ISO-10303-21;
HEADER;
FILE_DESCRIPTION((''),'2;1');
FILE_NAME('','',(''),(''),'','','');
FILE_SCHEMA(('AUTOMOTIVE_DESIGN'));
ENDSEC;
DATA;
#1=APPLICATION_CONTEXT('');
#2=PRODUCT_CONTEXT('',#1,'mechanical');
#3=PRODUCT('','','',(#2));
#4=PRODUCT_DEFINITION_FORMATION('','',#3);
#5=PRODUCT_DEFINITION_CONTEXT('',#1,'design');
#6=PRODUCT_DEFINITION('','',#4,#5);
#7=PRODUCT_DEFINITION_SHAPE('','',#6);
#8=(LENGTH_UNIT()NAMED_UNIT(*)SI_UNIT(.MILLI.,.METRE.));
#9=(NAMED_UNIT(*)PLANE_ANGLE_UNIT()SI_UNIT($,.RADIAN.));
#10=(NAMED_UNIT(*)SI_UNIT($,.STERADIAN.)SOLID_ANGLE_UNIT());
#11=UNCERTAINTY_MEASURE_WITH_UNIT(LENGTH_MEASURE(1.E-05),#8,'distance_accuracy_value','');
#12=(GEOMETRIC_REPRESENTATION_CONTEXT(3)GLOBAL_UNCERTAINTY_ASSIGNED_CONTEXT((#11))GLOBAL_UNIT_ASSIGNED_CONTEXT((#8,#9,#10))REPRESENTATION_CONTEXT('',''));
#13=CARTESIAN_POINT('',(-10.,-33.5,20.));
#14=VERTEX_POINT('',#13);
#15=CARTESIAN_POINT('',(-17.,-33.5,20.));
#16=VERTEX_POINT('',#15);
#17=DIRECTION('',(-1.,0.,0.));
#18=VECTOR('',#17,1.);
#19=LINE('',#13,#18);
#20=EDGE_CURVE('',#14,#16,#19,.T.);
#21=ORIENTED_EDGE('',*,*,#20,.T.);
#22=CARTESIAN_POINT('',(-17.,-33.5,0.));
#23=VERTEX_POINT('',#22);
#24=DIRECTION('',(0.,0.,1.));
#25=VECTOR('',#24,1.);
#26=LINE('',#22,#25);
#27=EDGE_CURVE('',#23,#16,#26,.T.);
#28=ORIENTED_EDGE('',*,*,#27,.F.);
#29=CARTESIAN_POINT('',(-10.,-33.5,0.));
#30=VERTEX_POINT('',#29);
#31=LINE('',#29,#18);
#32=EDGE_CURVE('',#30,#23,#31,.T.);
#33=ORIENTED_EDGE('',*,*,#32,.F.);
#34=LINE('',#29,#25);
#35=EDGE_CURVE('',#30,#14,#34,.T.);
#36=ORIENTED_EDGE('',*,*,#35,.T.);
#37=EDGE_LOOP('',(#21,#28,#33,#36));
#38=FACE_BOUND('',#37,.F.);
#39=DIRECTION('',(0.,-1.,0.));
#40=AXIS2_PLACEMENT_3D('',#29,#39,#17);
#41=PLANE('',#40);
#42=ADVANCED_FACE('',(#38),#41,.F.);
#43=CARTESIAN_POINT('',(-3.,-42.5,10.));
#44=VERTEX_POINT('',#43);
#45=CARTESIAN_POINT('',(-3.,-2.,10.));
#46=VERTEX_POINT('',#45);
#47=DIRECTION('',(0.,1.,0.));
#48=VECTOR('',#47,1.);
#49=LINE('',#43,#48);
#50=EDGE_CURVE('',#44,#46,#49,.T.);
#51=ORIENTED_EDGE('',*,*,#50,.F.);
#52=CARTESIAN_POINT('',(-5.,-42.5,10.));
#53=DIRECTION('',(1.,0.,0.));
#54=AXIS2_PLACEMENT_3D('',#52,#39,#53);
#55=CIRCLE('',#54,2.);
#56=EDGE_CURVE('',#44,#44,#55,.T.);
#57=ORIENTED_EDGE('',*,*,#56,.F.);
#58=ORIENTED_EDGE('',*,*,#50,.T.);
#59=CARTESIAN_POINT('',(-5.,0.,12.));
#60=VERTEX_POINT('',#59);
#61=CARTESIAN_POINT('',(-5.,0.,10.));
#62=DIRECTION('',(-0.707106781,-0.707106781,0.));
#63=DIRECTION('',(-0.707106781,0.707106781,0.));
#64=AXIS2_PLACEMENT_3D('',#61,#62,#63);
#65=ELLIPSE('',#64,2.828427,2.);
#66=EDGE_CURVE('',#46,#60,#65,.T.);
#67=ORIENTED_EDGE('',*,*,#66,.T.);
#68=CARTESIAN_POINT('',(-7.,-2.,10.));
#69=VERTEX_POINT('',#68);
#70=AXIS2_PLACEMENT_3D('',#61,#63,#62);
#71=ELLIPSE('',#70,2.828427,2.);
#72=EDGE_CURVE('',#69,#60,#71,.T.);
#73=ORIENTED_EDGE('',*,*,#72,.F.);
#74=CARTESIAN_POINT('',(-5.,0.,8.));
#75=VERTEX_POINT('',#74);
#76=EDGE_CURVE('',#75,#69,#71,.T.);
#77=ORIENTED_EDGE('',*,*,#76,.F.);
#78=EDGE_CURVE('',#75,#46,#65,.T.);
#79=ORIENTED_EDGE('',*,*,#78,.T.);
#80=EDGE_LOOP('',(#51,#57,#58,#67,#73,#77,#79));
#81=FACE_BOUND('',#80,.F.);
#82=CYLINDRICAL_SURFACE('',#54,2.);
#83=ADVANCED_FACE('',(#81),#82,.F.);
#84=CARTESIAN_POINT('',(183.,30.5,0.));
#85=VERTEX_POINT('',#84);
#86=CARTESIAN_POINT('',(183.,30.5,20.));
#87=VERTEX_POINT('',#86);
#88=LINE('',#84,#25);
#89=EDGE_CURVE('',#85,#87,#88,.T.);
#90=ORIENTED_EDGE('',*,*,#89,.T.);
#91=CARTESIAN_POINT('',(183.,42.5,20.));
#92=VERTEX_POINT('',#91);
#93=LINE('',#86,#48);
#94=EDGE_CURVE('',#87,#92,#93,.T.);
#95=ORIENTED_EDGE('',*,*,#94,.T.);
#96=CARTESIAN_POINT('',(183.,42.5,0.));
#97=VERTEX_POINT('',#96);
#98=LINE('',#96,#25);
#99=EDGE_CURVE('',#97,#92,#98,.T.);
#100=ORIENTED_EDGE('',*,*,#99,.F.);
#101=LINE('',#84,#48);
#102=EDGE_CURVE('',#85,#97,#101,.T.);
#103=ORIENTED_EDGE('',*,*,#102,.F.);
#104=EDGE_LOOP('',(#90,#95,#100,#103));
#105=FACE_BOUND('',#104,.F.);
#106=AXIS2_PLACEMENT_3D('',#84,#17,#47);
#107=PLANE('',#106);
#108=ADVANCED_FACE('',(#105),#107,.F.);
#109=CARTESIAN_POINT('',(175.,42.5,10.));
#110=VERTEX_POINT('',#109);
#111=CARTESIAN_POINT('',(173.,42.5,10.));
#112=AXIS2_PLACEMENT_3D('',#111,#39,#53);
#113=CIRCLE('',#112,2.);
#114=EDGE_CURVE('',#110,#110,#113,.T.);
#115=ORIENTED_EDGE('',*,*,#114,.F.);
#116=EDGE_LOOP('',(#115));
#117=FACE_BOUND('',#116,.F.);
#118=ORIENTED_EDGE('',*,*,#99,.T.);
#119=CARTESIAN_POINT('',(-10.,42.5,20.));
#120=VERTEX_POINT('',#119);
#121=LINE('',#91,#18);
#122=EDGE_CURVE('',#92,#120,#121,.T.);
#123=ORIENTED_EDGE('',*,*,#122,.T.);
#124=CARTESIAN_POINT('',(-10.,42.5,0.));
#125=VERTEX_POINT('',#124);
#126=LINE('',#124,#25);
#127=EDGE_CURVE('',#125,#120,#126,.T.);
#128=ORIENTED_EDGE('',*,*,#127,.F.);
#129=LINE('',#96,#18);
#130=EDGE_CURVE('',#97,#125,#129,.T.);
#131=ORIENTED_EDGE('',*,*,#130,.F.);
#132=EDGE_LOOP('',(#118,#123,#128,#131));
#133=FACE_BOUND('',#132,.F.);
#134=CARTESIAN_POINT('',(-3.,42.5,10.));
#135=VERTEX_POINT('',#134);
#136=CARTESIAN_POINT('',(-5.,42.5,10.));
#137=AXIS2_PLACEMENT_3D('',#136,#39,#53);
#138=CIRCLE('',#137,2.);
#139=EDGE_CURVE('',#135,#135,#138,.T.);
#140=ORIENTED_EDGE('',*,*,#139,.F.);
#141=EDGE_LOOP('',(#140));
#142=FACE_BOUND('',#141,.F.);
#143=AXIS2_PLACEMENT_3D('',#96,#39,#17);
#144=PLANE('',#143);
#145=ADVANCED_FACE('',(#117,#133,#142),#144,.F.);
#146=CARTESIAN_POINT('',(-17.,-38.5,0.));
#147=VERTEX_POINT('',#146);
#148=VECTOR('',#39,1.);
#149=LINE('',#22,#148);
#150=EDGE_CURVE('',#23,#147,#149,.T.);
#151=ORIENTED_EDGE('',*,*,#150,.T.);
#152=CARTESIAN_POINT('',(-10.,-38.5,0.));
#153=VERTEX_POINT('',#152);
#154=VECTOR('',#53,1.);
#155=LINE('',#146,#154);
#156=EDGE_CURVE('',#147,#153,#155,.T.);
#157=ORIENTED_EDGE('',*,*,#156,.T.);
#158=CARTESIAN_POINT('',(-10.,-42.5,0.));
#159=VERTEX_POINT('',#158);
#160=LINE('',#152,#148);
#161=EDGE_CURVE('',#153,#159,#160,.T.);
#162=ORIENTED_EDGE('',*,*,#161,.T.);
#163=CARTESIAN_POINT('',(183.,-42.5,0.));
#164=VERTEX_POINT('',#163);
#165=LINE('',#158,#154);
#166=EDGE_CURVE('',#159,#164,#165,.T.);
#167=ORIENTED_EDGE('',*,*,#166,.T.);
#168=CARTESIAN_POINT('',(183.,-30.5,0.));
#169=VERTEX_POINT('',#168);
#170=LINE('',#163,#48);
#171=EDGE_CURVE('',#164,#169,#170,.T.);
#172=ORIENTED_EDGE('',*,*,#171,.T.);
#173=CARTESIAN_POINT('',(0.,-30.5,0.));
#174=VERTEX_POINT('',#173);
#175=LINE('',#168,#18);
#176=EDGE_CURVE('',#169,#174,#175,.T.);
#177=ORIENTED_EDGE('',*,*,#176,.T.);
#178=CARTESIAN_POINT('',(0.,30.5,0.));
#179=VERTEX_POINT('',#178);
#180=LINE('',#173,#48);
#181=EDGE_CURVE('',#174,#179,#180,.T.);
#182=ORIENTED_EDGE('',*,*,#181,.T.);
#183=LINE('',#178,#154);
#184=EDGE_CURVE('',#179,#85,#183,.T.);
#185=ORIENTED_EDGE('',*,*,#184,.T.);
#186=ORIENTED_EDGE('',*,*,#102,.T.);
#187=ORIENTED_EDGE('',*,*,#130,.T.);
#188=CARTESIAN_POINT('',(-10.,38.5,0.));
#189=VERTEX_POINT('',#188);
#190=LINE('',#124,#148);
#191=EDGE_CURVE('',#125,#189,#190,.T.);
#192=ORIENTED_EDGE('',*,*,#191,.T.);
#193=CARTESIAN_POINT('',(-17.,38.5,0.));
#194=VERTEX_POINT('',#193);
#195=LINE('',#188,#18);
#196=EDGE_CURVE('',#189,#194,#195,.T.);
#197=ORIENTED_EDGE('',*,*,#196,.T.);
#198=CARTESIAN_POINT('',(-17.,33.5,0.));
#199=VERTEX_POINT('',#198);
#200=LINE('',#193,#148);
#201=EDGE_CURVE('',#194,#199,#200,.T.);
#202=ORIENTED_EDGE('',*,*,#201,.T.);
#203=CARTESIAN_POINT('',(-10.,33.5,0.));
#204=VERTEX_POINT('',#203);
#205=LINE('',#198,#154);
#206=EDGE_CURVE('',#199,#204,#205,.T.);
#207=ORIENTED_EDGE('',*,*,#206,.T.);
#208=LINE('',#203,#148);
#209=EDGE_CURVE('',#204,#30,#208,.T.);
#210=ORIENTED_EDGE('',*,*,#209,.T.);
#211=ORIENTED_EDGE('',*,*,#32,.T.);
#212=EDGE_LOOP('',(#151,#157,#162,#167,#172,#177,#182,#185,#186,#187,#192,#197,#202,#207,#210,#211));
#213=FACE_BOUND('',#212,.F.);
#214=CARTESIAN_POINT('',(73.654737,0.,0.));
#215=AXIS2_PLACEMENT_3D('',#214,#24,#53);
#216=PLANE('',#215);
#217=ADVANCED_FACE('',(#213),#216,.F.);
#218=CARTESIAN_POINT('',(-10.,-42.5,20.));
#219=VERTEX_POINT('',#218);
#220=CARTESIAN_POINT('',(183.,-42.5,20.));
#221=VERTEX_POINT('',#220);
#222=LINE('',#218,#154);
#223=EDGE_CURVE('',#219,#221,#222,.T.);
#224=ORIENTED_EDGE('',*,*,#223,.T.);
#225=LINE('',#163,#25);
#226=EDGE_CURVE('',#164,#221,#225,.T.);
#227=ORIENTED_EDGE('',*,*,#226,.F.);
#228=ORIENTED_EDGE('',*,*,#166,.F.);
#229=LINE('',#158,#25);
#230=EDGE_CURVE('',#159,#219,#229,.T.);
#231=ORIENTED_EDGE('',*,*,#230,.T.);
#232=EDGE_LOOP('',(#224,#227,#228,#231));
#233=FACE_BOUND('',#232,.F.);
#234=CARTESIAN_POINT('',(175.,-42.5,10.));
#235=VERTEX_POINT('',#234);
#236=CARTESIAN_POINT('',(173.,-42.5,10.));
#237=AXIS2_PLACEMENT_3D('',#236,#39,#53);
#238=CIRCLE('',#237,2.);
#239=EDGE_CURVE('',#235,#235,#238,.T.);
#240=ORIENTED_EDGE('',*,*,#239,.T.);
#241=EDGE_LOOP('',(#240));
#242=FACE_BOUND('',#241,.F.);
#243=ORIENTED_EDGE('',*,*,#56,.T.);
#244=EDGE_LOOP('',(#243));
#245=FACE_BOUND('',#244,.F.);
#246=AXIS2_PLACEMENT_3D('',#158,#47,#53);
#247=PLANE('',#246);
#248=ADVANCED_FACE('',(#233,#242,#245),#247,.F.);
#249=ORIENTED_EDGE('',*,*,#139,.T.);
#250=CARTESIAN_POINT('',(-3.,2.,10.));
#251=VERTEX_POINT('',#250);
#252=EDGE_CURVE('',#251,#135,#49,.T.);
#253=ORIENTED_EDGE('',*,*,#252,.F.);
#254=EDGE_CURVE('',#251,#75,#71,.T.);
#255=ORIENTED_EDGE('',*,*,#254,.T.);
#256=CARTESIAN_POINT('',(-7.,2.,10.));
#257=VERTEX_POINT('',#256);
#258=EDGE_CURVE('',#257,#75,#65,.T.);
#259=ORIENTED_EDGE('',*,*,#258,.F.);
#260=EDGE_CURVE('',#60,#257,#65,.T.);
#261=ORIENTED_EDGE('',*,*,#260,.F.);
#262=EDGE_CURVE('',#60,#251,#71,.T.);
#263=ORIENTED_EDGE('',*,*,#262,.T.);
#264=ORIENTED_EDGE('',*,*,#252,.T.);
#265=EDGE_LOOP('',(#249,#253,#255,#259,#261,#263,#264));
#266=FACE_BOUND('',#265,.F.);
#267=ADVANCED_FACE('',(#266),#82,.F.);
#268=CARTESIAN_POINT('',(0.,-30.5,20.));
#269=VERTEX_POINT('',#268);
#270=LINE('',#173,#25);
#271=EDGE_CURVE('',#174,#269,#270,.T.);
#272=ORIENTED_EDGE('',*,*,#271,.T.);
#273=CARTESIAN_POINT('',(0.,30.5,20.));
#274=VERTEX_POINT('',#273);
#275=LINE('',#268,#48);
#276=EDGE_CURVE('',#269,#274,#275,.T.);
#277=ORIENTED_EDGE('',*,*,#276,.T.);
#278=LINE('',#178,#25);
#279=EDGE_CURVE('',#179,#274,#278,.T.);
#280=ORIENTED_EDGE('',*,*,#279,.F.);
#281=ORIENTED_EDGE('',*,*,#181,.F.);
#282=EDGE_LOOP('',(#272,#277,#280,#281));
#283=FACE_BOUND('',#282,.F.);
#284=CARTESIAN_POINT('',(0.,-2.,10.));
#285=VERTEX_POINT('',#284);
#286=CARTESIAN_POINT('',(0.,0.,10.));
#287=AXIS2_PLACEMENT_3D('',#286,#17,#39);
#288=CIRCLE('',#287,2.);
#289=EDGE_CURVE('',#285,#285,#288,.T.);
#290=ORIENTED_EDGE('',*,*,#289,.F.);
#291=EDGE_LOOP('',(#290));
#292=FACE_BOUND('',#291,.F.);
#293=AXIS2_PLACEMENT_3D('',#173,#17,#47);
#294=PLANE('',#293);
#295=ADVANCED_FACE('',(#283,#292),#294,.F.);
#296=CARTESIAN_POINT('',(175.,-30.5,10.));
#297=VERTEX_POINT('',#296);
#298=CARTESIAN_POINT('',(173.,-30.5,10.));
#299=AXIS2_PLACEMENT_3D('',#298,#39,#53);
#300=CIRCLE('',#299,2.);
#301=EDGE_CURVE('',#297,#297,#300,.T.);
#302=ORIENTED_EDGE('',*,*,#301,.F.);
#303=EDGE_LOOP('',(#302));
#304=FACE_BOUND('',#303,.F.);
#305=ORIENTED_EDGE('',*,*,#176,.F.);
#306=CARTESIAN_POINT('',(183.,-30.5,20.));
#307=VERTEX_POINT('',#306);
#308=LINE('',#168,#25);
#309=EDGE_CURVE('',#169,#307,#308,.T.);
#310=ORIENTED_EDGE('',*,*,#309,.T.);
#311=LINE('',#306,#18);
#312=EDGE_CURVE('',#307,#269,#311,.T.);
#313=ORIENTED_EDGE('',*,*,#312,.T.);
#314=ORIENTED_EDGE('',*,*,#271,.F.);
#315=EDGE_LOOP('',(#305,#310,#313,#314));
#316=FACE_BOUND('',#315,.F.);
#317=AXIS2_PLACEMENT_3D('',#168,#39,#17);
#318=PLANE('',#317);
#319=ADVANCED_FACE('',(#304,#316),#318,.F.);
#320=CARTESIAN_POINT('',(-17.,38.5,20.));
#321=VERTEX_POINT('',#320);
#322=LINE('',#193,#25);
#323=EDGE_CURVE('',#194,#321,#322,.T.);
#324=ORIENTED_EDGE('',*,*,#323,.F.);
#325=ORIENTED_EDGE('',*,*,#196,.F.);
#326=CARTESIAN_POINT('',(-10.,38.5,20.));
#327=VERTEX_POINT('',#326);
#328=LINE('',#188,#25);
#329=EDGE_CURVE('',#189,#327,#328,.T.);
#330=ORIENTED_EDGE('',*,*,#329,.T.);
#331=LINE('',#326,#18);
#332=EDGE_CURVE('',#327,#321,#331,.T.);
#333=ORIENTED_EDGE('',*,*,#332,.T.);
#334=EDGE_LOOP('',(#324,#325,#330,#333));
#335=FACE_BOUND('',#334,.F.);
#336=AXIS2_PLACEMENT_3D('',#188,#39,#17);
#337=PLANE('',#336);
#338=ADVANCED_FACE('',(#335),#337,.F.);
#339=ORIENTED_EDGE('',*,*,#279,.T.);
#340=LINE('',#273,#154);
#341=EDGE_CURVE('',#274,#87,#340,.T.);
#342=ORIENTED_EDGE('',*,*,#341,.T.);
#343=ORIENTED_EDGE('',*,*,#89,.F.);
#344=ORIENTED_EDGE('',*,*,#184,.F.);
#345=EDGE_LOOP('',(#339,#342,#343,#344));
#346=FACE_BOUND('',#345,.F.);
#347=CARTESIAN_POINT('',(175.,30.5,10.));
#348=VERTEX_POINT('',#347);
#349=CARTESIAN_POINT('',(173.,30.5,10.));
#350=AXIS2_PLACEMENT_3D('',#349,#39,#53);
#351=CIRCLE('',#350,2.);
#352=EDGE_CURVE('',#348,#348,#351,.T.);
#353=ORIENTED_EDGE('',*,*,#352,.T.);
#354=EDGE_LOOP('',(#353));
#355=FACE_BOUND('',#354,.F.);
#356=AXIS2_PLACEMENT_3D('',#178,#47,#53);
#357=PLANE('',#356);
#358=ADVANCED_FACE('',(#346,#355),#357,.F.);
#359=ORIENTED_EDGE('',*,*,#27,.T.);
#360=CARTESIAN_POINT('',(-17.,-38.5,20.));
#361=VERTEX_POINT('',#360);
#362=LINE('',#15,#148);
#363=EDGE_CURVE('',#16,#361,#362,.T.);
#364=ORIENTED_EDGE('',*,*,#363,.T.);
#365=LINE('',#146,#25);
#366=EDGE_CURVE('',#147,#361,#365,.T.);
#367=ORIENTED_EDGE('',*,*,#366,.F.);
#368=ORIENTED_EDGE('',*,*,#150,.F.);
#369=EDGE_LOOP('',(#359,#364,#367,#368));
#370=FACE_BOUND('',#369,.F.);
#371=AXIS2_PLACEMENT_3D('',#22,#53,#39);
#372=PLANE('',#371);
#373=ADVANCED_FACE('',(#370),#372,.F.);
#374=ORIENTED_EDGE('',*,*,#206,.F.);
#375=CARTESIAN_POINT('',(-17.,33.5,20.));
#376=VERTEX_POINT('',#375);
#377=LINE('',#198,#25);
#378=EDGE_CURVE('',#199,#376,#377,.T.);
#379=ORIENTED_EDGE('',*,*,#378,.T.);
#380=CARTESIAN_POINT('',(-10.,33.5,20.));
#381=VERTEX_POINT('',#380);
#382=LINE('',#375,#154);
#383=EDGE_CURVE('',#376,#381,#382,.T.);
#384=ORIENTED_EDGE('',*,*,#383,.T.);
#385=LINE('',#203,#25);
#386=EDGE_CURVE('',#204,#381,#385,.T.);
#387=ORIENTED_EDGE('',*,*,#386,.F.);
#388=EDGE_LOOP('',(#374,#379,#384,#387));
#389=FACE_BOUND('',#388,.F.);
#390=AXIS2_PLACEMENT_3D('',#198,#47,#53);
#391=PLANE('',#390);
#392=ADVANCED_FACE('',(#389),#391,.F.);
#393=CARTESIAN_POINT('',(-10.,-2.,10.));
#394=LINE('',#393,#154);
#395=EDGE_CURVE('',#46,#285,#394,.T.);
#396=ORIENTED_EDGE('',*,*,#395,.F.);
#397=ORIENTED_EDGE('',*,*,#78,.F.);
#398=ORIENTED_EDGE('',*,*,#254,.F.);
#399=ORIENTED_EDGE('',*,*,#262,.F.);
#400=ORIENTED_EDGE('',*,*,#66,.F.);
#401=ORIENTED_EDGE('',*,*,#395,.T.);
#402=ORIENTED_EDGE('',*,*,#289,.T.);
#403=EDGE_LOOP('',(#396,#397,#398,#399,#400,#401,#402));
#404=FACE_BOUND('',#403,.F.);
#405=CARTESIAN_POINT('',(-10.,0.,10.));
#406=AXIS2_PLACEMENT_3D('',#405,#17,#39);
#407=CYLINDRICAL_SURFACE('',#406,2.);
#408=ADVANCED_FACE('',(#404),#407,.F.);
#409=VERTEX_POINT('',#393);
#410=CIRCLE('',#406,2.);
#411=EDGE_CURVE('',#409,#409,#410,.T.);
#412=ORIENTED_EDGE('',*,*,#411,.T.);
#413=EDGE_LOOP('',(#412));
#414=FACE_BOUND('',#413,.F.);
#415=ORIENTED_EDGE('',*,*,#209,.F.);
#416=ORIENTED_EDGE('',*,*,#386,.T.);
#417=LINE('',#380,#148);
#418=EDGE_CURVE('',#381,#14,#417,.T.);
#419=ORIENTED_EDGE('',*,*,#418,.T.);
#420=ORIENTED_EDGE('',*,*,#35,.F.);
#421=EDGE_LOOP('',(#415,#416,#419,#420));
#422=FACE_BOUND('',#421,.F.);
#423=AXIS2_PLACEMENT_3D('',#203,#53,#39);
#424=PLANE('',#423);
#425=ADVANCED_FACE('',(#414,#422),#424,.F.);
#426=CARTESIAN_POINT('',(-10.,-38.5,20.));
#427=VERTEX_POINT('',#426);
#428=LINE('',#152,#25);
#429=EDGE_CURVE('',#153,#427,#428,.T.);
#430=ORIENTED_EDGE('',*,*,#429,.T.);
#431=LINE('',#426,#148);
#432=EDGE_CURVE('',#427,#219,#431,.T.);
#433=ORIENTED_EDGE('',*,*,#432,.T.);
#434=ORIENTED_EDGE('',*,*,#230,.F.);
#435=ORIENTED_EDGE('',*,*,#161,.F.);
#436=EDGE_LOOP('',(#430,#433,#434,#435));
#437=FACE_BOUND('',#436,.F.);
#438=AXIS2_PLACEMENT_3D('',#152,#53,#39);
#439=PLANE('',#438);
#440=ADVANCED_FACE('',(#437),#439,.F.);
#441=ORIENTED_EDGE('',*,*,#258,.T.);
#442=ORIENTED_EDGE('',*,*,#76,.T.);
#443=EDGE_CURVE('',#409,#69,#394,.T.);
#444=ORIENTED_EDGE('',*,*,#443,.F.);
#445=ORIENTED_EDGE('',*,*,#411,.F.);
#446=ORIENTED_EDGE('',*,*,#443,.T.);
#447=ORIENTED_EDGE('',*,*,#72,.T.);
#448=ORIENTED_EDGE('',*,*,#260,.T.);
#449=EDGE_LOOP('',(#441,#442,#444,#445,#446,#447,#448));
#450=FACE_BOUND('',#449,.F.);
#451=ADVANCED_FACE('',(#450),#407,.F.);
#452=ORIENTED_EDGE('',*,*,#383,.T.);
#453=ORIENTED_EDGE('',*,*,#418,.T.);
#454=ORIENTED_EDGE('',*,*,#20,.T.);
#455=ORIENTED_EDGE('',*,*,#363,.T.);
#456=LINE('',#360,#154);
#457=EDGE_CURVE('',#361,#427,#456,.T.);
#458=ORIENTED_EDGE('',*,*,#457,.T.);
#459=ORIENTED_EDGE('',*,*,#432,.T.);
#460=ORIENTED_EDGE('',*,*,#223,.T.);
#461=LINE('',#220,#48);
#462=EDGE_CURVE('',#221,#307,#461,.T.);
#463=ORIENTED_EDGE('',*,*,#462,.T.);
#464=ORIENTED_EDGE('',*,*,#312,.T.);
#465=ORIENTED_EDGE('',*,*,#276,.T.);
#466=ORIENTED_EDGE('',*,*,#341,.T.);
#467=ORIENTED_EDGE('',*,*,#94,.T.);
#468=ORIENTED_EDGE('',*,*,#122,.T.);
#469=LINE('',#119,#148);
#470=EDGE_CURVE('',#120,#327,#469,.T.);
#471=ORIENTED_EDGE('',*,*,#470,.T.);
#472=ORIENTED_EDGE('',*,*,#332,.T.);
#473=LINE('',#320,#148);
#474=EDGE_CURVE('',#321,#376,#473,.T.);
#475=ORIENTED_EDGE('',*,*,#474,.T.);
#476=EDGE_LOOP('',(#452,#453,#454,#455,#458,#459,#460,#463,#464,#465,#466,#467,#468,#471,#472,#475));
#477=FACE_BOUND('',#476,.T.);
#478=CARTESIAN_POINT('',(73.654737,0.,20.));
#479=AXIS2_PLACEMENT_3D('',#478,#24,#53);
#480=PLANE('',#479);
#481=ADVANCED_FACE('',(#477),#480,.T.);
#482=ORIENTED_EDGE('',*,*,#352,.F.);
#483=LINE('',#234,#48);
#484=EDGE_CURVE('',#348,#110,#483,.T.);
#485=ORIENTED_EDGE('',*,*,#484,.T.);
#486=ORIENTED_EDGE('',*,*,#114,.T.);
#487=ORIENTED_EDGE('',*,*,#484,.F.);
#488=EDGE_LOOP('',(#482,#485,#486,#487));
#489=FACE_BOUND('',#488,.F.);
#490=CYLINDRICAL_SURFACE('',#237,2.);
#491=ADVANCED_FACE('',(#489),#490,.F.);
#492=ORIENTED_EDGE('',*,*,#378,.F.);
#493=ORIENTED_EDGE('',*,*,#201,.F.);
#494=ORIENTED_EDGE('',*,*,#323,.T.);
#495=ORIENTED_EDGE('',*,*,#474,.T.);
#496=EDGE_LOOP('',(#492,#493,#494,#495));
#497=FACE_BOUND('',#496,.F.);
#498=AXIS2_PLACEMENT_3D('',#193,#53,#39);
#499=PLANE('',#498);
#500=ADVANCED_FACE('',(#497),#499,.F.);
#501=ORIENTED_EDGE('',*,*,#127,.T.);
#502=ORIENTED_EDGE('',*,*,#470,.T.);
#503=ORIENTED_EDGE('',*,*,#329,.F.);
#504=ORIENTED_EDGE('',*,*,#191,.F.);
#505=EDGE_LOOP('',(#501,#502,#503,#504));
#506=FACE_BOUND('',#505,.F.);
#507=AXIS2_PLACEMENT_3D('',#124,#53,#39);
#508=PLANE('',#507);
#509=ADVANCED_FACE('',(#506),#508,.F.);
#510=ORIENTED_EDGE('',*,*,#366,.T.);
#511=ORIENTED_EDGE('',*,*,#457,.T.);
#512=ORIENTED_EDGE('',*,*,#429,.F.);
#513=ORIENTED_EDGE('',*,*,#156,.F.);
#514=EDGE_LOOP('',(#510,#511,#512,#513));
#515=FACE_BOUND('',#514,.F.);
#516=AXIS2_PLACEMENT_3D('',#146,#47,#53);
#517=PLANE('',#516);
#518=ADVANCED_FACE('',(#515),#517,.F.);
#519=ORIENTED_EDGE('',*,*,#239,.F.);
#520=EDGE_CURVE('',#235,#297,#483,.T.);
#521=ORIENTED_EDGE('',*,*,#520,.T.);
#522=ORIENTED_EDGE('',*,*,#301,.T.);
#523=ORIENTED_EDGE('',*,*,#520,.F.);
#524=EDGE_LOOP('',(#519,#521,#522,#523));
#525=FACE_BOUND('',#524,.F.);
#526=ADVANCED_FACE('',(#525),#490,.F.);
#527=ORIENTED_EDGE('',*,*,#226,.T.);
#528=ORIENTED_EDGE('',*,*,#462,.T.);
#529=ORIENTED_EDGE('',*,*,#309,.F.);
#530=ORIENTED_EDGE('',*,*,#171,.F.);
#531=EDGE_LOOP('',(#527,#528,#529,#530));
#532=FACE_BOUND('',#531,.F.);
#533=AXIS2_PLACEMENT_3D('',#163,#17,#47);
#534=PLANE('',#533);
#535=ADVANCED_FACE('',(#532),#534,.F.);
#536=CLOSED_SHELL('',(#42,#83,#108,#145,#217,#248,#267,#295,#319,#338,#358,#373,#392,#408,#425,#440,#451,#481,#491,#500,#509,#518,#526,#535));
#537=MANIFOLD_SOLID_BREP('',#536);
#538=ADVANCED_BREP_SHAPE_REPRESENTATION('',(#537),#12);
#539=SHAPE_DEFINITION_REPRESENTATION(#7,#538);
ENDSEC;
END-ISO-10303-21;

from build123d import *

# Parameters (mm, degrees)
PAD_DEPTH       = 20
SKETCH004_R     = 2
POCKET002_DEPTH = 193.001
SKETCH005_R     = 2
POCKET003_DEPTH = 85.001


with BuildPart() as part:
    # Sketch → Pad (new body)
    with BuildSketch(Plane.XY):
        Polygon((-10, -42.5), (183, -42.5), (183, -30.5), (0, -30.5), (0, 30.5), (183, 30.5), (183, 42.5), (-10, 42.5), (-10, 38.5), (-17, 38.5), (-17, 33.5), (-10, 33.5), (-10, -33.5), (-17, -33.5), (-17, -38.5), (-10, -38.5), align=None)
    extrude(amount=PAD_DEPTH)

    # Sketch004 → Pocket002 (cut, through all)
    with BuildSketch(Plane(origin=(-10, 0, 0), x_dir=(0, -1, 0), z_dir=(-1, 0, 0))):
        with Locations((0, 10)):
            Circle(SKETCH004_R)
    extrude(amount=-POCKET002_DEPTH, mode=Mode.SUBTRACT)

    # Sketch005 → Pocket003 (cut, through all)
    with BuildSketch(Plane.XZ.offset(42.5)):
        with Locations((-5, 10)):
            Circle(SKETCH005_R)
        with Locations((173, 10)):
            Circle(SKETCH005_R)
    extrude(amount=-POCKET003_DEPTH, mode=Mode.SUBTRACT)


solid = part.part
